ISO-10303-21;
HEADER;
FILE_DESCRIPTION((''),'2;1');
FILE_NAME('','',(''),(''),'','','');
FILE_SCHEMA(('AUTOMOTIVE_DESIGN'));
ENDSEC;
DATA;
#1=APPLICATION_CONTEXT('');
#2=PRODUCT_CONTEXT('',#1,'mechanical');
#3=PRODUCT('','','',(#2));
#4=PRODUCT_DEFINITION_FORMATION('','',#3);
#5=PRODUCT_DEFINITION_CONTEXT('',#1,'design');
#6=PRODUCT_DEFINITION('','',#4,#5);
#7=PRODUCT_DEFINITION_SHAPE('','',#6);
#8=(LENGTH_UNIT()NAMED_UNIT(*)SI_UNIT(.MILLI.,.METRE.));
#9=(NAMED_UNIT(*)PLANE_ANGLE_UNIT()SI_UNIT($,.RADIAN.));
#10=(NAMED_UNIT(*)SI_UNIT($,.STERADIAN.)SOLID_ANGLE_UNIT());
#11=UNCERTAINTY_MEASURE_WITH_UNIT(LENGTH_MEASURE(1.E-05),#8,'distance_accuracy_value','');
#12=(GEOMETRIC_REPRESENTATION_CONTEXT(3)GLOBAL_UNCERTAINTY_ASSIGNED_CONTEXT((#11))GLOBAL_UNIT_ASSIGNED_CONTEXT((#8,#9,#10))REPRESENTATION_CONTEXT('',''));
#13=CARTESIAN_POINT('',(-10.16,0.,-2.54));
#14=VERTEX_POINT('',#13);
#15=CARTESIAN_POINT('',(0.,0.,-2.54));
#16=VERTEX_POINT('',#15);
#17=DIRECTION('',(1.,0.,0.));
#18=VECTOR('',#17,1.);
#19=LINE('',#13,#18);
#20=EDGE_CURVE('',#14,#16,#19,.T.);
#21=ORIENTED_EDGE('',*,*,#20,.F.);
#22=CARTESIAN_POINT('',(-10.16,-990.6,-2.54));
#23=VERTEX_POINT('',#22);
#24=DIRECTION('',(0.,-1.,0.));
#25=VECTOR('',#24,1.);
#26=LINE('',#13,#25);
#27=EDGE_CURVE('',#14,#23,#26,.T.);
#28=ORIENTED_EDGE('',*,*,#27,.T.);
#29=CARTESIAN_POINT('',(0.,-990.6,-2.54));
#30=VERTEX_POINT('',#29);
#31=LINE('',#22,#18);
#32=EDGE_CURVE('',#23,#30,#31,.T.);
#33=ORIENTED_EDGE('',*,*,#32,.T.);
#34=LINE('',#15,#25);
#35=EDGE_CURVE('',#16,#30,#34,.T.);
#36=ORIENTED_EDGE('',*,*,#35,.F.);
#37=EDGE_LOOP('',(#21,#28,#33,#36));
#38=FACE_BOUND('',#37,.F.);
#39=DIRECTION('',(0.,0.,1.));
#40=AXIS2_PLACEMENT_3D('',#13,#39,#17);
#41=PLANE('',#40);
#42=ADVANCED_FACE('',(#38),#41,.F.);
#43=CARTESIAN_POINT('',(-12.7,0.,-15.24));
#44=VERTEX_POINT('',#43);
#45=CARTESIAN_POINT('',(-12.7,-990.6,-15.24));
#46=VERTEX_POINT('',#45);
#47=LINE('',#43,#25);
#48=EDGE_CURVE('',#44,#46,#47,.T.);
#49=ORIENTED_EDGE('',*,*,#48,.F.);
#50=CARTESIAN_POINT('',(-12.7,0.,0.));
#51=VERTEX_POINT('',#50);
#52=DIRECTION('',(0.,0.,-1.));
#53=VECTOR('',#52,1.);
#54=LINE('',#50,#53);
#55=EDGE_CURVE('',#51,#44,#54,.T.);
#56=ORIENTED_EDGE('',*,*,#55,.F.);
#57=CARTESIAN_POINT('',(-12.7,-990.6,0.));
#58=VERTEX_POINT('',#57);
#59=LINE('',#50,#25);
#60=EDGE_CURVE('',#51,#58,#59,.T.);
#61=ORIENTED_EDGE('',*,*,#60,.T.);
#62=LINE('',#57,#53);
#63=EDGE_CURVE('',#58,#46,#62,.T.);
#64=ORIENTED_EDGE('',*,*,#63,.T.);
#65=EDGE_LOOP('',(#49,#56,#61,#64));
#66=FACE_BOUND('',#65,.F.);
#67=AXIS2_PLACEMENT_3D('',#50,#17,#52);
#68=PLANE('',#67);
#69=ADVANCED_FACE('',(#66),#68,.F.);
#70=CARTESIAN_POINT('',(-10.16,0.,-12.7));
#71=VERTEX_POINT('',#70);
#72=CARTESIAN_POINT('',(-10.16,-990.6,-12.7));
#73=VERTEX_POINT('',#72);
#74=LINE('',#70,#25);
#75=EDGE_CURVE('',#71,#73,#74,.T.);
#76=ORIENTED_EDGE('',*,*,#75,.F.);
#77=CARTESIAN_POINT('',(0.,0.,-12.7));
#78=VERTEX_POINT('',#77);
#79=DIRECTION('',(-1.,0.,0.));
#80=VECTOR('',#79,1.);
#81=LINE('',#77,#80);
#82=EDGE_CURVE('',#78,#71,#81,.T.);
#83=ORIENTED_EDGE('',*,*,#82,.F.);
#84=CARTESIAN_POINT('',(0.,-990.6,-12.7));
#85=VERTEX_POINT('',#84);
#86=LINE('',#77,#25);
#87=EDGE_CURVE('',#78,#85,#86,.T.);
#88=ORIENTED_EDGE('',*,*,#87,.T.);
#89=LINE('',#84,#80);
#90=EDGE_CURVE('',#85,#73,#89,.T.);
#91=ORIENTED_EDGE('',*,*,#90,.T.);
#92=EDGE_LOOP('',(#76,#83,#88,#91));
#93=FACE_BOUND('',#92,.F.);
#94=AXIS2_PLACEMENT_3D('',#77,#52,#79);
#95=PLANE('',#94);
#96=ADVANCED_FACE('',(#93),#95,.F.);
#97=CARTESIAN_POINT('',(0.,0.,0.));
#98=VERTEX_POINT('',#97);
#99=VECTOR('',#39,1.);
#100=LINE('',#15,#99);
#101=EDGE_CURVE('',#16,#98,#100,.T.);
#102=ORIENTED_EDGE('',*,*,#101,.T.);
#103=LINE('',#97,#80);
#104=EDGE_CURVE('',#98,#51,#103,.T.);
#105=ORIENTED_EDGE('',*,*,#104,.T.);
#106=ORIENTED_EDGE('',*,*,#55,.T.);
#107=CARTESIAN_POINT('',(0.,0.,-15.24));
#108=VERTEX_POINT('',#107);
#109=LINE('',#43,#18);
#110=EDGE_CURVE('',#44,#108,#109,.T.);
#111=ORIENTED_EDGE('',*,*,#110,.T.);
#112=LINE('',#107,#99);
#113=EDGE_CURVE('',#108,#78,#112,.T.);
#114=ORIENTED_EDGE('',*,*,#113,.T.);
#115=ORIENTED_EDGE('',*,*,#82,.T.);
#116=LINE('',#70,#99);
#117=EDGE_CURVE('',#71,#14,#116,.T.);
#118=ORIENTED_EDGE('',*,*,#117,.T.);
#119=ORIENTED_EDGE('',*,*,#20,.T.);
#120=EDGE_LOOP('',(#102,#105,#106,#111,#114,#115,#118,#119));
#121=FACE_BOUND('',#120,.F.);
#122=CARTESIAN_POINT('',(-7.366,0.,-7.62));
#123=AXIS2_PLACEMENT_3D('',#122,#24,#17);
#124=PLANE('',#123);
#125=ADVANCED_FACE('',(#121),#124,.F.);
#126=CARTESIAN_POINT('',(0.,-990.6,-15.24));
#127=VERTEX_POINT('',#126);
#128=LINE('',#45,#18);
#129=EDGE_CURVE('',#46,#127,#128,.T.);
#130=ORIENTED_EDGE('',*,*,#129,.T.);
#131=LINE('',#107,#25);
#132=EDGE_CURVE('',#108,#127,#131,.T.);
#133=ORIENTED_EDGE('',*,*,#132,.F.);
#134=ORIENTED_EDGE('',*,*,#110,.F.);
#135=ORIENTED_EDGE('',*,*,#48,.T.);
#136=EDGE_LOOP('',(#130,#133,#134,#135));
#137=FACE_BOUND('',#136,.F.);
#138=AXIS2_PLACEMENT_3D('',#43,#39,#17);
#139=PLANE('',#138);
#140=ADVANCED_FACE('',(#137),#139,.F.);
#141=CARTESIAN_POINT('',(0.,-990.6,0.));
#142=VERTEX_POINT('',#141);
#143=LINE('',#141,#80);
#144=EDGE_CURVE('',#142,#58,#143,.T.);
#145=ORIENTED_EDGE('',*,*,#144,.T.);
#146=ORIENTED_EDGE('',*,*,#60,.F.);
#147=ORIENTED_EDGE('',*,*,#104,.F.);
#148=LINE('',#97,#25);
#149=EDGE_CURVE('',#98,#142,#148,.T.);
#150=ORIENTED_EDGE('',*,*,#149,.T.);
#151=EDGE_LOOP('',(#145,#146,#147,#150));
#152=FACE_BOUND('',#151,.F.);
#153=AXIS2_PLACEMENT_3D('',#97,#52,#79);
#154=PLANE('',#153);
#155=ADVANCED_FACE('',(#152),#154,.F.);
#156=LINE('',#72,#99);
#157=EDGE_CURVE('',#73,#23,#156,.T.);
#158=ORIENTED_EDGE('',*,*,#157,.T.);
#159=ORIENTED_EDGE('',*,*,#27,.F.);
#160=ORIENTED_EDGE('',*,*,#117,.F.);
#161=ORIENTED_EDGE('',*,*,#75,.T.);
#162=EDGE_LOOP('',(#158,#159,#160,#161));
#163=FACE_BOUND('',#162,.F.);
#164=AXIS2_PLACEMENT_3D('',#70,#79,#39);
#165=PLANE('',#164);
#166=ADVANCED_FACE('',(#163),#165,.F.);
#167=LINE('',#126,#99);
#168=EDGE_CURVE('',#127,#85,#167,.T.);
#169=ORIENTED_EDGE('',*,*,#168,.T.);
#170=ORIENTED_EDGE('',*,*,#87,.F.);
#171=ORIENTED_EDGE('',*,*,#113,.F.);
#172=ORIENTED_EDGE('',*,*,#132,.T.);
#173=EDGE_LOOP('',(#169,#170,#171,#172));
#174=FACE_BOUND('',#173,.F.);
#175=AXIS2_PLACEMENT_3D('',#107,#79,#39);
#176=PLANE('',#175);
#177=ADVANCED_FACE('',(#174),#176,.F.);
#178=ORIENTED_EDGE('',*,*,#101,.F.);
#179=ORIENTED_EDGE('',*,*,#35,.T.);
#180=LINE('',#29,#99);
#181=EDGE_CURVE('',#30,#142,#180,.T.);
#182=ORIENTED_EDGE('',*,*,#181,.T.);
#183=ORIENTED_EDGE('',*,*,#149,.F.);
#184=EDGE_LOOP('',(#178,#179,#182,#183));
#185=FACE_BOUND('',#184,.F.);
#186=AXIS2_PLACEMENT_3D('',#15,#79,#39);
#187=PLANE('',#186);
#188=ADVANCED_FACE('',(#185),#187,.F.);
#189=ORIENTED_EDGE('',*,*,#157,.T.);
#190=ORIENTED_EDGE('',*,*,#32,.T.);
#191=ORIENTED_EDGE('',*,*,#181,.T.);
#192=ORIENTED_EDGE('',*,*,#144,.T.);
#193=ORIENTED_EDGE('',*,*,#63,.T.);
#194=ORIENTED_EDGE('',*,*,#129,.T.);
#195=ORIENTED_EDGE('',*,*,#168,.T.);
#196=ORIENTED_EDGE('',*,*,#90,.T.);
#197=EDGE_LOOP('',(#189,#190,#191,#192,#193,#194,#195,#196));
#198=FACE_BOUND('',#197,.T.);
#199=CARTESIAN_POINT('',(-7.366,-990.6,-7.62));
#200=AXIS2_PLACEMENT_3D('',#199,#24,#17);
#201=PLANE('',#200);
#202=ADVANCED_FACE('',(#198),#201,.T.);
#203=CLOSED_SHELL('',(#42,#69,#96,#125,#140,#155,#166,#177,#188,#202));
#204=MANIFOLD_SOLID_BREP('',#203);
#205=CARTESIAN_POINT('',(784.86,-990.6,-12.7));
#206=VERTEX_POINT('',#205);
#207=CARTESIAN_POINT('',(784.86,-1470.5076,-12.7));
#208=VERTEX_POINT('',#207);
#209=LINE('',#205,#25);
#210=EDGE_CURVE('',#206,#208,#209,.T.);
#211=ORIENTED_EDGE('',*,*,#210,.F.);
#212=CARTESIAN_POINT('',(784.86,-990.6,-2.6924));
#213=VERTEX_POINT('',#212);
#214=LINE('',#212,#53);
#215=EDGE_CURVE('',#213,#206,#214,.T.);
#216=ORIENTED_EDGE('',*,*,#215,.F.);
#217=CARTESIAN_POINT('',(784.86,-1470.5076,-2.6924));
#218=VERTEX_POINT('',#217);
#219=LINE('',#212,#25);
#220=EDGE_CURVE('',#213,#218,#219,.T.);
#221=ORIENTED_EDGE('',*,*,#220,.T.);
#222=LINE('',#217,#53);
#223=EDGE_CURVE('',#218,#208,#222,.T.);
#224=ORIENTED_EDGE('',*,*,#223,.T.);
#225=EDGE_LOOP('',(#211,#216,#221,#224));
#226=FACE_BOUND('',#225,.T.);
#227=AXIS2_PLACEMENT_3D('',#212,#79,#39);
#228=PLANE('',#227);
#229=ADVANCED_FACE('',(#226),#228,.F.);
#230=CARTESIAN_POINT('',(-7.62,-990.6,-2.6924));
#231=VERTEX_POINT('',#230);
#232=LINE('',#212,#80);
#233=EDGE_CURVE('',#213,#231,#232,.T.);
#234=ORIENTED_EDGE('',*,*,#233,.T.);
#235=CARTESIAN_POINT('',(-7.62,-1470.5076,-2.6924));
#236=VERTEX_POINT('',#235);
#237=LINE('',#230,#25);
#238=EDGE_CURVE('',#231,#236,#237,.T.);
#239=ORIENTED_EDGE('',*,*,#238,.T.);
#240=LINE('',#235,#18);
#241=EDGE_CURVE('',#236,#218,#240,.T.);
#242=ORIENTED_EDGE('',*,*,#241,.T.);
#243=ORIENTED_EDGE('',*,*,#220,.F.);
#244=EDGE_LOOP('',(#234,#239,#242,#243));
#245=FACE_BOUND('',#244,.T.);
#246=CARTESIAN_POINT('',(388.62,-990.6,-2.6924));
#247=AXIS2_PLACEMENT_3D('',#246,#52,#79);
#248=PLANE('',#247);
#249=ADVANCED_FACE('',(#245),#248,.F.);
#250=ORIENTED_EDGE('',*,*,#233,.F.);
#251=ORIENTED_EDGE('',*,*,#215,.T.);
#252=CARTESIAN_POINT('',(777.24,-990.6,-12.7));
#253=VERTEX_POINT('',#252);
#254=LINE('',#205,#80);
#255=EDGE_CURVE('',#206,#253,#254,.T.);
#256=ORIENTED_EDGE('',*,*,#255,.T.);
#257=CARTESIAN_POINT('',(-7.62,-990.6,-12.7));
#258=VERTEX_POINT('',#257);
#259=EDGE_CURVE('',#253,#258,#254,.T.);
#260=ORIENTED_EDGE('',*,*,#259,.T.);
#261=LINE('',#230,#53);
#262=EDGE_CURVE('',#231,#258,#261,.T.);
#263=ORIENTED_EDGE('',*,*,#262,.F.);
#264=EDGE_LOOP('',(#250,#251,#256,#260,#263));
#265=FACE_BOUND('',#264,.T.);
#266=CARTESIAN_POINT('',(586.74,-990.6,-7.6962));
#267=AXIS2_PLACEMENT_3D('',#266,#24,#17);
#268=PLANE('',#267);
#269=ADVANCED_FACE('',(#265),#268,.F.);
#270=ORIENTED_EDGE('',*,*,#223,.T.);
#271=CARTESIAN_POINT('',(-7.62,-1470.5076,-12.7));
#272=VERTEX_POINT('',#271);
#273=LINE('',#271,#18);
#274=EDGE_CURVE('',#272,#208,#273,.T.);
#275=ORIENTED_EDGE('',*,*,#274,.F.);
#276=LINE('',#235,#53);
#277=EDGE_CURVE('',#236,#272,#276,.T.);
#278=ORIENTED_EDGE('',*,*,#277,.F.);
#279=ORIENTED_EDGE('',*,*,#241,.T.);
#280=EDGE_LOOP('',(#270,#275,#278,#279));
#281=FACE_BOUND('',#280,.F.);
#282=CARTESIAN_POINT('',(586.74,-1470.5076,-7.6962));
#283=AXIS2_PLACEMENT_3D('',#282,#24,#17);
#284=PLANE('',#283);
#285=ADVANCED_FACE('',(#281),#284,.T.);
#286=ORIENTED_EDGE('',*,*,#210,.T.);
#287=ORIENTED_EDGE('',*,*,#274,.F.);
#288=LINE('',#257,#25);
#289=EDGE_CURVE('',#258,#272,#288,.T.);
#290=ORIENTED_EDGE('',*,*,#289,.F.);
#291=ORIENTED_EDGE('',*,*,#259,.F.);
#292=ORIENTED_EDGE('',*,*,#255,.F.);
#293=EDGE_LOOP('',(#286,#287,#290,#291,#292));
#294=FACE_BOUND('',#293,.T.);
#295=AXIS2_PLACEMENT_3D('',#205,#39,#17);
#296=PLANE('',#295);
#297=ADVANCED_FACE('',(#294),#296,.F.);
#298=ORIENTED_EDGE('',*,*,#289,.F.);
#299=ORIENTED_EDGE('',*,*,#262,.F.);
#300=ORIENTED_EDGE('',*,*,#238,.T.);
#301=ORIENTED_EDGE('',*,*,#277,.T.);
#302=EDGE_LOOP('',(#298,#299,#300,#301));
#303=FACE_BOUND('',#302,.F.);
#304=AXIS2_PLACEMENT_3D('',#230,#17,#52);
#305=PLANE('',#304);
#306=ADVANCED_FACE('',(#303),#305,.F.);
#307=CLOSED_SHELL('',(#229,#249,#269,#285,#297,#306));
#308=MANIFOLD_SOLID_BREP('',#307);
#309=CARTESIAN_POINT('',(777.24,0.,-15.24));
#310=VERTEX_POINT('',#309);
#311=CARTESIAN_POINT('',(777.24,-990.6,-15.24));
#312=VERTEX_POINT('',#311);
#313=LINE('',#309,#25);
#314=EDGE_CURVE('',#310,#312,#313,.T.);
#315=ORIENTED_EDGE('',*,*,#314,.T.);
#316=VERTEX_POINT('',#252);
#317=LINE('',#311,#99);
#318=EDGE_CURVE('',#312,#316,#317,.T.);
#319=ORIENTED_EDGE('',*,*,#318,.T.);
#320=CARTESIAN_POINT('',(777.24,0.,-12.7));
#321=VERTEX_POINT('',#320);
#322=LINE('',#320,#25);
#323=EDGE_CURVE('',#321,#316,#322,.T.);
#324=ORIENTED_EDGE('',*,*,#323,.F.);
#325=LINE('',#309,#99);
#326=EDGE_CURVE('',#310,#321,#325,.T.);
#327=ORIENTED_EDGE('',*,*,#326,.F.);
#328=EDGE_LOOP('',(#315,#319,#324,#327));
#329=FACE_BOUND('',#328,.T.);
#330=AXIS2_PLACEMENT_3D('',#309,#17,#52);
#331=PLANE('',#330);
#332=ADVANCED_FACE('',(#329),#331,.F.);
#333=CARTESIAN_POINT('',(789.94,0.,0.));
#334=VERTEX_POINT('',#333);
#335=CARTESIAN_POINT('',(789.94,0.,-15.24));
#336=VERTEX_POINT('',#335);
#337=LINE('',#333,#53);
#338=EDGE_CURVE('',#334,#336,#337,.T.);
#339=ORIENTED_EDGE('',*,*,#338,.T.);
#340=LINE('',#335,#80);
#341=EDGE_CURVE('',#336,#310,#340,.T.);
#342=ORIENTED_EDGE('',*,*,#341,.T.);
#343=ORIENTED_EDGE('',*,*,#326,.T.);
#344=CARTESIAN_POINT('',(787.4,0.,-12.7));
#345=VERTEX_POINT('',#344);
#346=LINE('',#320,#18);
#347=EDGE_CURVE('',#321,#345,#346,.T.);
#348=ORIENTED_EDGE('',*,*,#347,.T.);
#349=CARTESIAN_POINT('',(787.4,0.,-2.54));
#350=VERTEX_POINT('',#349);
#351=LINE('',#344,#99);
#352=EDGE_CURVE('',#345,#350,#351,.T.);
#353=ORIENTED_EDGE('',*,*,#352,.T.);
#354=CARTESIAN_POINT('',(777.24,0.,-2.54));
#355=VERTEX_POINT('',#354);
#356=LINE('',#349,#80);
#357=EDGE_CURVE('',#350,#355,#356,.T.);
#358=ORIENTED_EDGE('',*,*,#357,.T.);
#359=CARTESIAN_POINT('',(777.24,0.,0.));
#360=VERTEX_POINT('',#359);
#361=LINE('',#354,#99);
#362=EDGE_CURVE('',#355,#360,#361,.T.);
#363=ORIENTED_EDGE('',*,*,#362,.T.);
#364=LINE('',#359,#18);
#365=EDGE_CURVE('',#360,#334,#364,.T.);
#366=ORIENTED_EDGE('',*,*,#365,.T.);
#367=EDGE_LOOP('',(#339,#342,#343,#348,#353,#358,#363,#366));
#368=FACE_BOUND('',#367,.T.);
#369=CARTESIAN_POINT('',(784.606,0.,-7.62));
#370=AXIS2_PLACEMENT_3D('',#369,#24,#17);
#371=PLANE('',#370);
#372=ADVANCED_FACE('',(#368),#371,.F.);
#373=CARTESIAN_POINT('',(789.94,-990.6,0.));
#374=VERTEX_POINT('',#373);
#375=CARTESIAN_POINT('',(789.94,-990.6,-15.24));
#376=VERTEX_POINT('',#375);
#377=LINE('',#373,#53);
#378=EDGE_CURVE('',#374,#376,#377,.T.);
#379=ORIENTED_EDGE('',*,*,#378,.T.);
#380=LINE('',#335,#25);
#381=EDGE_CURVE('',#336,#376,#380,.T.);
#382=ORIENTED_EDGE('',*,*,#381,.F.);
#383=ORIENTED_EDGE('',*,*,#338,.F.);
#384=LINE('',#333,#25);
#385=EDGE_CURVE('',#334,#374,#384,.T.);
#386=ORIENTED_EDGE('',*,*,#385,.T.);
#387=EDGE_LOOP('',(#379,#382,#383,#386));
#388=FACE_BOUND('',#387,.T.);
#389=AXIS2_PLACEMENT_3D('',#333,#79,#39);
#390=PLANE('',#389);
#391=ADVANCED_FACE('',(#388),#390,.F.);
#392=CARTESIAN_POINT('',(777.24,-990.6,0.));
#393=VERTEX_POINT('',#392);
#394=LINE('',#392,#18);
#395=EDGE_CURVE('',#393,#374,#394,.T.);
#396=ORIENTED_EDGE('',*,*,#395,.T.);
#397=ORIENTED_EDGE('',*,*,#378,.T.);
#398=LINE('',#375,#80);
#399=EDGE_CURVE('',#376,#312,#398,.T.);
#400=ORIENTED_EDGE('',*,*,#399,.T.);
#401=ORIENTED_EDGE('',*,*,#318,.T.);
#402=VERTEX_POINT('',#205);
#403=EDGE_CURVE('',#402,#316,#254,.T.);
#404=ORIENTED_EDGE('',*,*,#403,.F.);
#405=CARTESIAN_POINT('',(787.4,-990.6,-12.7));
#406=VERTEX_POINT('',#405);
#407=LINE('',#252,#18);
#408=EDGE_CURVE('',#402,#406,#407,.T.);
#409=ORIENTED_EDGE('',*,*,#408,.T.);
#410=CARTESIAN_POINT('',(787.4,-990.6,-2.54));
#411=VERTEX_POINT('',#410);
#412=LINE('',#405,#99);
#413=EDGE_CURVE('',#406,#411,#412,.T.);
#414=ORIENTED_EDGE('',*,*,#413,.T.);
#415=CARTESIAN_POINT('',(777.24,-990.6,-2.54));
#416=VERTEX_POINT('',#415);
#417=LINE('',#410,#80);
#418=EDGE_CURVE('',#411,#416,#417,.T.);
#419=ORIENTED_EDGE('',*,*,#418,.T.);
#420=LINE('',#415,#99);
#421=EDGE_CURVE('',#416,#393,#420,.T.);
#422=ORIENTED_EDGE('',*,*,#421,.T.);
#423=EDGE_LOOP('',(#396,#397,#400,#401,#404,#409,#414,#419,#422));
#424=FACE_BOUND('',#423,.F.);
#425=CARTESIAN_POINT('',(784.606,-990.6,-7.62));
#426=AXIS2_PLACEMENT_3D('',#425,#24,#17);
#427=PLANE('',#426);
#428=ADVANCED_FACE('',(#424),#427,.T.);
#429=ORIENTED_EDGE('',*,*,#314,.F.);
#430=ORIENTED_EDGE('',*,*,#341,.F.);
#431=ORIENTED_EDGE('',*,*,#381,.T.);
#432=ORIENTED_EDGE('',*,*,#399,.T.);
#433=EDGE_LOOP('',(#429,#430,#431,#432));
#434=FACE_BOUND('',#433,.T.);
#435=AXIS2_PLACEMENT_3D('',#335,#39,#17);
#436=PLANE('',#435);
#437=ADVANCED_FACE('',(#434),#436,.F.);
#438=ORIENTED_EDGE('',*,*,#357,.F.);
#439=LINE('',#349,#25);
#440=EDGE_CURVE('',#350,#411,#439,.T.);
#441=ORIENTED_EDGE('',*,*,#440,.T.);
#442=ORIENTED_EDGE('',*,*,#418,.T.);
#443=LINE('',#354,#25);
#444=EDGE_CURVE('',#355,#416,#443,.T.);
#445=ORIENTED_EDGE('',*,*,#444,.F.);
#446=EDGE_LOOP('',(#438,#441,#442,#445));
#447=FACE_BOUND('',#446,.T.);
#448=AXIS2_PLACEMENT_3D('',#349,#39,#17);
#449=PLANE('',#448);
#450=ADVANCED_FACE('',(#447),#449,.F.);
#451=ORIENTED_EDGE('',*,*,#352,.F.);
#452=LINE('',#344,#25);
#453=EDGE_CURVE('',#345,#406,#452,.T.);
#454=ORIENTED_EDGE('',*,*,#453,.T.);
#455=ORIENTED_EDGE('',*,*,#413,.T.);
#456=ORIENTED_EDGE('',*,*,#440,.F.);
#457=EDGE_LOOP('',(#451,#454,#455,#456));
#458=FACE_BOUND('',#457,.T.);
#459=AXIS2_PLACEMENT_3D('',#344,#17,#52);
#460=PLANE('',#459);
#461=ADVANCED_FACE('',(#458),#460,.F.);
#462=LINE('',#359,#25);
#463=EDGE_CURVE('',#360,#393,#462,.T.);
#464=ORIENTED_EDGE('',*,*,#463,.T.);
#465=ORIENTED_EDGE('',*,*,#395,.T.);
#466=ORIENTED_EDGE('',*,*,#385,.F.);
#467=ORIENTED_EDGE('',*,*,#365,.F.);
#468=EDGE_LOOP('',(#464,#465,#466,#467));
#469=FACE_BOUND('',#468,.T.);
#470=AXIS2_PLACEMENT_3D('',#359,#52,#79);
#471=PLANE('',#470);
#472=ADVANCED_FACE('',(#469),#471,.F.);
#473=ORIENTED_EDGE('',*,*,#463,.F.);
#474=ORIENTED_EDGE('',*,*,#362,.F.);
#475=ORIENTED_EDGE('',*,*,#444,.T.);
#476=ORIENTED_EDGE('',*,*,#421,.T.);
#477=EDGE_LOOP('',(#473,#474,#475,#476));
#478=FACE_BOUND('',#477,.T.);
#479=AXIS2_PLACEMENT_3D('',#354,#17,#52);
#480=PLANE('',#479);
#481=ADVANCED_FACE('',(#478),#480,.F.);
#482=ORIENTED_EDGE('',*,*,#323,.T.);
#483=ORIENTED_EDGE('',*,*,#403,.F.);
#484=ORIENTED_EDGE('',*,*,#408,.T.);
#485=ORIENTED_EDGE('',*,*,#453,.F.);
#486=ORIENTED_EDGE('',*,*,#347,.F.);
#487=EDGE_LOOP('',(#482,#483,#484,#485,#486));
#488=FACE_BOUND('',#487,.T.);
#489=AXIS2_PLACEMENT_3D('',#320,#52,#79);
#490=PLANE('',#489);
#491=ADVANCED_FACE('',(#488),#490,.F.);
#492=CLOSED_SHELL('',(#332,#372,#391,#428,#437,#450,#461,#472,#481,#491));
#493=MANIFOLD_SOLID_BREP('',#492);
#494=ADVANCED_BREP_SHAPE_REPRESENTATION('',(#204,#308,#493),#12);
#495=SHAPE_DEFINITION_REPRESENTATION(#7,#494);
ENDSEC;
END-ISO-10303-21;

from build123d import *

# Parameters (mm, degrees)
F1_DEPTH = 990.6
F3_DEPTH = 479.9076


with BuildPart() as f1:
    # F0 (on Front) → F1 (new body)
    with BuildSketch(Plane.XZ):
        Polygon((0, -2.54), (0, 0), (-12.7, 0), (-12.7, -15.24), (0, -15.24), (0, -12.7), (-10.16, -12.7), (-10.16, -2.54), align=None)
    extrude(amount=F1_DEPTH)


with BuildPart() as f3:
    # F2 (on face) → F3 (new body)
    with BuildSketch(Plane.XZ.offset(990.6)):
        Polygon((388.62, -2.6924), (-7.62, -2.6924), (-7.62, -12.7), (0, -12.7), (388.62, -12.7), align=None)
    extrude(amount=F3_DEPTH)

    # F5: F3, F1 across plane


with BuildPart() as f3_1:
    add(f3.part)
    add(f3.part.mirror(Plane(origin=(388.62, -1230.5538, -7.6962), x_dir=(0, 1, 0), z_dir=(1, 0, 0))))
    add(f1.part.mirror(Plane(origin=(388.62, -1230.5538, -7.6962), x_dir=(0, 1, 0), z_dir=(1, 0, 0))))


solid = Compound([f1.part, f3_1.part])
